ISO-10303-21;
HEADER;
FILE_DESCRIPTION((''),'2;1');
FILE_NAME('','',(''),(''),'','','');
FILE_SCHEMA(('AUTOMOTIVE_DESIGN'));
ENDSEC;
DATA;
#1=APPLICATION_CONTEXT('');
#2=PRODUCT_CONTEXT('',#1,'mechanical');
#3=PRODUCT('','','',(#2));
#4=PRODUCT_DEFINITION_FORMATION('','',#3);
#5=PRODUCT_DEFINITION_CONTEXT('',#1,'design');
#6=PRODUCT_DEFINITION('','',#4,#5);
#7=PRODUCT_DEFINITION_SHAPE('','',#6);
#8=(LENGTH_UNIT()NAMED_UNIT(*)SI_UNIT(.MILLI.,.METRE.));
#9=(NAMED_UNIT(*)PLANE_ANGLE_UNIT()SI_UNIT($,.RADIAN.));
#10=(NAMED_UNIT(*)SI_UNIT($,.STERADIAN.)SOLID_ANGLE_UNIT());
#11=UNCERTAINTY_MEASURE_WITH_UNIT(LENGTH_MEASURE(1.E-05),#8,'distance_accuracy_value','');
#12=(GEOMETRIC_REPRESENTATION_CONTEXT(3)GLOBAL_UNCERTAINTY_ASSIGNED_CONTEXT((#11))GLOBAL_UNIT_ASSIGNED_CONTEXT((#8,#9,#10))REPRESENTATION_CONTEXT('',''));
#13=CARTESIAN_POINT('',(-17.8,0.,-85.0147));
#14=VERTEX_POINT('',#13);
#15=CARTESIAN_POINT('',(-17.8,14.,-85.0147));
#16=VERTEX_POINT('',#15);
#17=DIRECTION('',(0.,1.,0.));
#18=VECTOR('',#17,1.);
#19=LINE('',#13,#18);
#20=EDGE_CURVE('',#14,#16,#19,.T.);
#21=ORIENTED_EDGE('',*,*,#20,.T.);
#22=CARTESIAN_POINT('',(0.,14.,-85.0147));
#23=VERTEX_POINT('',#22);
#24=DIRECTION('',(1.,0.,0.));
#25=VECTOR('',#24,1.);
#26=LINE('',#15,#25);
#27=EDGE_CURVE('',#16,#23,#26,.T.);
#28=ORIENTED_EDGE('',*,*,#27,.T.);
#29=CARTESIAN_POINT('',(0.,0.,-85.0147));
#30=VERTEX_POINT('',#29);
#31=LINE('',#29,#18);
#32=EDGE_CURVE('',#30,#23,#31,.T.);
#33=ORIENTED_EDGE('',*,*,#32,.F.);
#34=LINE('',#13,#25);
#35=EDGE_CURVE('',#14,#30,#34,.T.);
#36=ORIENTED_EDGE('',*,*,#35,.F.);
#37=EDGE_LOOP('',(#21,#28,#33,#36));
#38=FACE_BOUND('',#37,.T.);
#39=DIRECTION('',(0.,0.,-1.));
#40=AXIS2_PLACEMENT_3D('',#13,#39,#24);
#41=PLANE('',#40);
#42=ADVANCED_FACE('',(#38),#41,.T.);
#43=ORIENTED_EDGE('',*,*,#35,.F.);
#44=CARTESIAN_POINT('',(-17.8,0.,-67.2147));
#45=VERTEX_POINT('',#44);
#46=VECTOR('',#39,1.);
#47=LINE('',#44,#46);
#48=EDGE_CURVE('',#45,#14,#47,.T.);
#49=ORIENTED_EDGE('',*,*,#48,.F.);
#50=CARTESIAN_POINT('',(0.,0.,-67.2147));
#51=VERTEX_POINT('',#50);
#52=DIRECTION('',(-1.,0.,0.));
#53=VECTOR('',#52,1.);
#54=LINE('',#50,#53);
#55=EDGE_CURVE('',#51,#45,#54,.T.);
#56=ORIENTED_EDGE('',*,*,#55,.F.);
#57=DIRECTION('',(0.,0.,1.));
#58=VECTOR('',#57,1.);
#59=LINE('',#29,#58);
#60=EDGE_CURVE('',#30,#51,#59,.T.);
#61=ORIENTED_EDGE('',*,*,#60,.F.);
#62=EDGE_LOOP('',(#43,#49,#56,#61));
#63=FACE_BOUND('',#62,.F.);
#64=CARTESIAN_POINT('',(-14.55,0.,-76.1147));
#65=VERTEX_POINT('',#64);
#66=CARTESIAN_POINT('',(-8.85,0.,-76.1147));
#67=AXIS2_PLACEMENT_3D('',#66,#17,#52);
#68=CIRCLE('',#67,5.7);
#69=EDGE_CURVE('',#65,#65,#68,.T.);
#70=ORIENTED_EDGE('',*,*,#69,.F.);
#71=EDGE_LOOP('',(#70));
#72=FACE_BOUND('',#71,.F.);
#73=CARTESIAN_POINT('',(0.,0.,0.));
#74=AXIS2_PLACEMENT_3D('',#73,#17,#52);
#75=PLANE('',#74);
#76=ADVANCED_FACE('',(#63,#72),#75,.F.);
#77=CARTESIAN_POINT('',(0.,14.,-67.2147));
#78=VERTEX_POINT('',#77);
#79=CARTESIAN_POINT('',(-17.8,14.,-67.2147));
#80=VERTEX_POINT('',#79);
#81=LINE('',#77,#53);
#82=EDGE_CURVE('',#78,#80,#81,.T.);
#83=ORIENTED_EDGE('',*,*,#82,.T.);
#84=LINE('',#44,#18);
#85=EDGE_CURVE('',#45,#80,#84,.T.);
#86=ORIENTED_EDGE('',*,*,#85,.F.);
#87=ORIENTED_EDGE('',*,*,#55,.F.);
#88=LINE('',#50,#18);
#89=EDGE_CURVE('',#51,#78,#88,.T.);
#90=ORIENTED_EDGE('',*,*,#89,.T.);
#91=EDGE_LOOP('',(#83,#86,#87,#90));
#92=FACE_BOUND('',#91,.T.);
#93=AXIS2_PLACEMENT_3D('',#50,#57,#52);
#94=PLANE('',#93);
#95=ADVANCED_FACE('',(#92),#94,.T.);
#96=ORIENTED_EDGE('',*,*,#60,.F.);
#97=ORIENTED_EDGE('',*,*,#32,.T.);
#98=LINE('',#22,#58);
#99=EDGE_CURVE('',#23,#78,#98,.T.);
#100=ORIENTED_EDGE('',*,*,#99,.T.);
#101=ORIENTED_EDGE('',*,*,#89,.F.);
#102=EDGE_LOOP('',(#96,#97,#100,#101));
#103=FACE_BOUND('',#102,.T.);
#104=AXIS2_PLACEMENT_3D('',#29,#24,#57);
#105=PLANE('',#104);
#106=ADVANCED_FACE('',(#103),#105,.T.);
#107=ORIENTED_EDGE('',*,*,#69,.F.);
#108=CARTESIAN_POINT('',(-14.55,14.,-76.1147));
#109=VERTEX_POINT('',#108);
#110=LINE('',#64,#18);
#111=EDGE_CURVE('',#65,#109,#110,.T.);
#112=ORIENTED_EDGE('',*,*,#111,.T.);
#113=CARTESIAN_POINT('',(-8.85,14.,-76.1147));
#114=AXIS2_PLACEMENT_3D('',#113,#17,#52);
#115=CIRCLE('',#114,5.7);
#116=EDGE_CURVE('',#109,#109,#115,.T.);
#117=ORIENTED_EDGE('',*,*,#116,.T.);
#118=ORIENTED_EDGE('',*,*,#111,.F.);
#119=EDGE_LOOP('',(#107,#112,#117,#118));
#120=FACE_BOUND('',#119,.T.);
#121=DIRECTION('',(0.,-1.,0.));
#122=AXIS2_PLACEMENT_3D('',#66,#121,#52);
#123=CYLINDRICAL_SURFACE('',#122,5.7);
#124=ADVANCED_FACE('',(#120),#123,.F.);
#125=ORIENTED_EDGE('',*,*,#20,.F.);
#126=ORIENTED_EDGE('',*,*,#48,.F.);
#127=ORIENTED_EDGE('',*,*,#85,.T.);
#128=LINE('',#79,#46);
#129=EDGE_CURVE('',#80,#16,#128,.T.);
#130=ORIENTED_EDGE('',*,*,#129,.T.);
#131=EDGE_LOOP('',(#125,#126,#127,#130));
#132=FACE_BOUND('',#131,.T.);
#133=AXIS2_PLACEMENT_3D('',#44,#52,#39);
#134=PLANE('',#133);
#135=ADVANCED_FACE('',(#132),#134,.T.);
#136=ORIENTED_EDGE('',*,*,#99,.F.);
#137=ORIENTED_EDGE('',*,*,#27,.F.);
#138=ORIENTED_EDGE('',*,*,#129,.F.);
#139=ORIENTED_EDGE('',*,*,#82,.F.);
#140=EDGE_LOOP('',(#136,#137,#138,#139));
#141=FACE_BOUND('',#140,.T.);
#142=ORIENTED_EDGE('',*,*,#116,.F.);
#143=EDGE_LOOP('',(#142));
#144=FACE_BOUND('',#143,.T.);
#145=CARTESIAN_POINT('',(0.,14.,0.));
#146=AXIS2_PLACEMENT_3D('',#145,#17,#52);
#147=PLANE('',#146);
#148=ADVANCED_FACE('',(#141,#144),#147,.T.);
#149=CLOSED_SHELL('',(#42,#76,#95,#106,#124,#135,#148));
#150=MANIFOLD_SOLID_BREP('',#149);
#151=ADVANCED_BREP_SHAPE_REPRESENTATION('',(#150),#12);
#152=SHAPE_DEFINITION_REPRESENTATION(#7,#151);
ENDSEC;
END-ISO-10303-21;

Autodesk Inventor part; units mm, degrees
ref_plane "YZ Plane" through (0, 0, 0) normal (1, 0, 0) x (0, 1, 0)
ref_plane "XZ Plane" through (0, 0, 0) normal (0, 1, 0) x (-1, 0, 0)
ref_plane "XY Plane" through (0, 0, 0) normal (0, 0, 1) x (1, 0, 0)
sketch "Esboço1" plane through (0, 0, 0) normal (0, 1, 0) x (-1, 0, 0)
  line L0 (0, -67.2147) -> (17.8, -67.2147)
  line L1 (17.8, -67.2147) -> (17.8, -85.0147)
  line L2 (17.8, -85.0147) -> (0, -85.0147)
  line L3 (0, -85.0147) -> (0, -67.2147)
  circle A0 centre (8.85, -76.1147) radius 5.7
  point P0 (0, 0)
  dimension "d5" = 17.8
  dimension "d6" = 17.8
  dimension "d8" = 11.4
extrude "Extrusão1" add sketch "Esboço1" along normal blind 14
properties part number "GDME Derivatizante_3DPrint"
